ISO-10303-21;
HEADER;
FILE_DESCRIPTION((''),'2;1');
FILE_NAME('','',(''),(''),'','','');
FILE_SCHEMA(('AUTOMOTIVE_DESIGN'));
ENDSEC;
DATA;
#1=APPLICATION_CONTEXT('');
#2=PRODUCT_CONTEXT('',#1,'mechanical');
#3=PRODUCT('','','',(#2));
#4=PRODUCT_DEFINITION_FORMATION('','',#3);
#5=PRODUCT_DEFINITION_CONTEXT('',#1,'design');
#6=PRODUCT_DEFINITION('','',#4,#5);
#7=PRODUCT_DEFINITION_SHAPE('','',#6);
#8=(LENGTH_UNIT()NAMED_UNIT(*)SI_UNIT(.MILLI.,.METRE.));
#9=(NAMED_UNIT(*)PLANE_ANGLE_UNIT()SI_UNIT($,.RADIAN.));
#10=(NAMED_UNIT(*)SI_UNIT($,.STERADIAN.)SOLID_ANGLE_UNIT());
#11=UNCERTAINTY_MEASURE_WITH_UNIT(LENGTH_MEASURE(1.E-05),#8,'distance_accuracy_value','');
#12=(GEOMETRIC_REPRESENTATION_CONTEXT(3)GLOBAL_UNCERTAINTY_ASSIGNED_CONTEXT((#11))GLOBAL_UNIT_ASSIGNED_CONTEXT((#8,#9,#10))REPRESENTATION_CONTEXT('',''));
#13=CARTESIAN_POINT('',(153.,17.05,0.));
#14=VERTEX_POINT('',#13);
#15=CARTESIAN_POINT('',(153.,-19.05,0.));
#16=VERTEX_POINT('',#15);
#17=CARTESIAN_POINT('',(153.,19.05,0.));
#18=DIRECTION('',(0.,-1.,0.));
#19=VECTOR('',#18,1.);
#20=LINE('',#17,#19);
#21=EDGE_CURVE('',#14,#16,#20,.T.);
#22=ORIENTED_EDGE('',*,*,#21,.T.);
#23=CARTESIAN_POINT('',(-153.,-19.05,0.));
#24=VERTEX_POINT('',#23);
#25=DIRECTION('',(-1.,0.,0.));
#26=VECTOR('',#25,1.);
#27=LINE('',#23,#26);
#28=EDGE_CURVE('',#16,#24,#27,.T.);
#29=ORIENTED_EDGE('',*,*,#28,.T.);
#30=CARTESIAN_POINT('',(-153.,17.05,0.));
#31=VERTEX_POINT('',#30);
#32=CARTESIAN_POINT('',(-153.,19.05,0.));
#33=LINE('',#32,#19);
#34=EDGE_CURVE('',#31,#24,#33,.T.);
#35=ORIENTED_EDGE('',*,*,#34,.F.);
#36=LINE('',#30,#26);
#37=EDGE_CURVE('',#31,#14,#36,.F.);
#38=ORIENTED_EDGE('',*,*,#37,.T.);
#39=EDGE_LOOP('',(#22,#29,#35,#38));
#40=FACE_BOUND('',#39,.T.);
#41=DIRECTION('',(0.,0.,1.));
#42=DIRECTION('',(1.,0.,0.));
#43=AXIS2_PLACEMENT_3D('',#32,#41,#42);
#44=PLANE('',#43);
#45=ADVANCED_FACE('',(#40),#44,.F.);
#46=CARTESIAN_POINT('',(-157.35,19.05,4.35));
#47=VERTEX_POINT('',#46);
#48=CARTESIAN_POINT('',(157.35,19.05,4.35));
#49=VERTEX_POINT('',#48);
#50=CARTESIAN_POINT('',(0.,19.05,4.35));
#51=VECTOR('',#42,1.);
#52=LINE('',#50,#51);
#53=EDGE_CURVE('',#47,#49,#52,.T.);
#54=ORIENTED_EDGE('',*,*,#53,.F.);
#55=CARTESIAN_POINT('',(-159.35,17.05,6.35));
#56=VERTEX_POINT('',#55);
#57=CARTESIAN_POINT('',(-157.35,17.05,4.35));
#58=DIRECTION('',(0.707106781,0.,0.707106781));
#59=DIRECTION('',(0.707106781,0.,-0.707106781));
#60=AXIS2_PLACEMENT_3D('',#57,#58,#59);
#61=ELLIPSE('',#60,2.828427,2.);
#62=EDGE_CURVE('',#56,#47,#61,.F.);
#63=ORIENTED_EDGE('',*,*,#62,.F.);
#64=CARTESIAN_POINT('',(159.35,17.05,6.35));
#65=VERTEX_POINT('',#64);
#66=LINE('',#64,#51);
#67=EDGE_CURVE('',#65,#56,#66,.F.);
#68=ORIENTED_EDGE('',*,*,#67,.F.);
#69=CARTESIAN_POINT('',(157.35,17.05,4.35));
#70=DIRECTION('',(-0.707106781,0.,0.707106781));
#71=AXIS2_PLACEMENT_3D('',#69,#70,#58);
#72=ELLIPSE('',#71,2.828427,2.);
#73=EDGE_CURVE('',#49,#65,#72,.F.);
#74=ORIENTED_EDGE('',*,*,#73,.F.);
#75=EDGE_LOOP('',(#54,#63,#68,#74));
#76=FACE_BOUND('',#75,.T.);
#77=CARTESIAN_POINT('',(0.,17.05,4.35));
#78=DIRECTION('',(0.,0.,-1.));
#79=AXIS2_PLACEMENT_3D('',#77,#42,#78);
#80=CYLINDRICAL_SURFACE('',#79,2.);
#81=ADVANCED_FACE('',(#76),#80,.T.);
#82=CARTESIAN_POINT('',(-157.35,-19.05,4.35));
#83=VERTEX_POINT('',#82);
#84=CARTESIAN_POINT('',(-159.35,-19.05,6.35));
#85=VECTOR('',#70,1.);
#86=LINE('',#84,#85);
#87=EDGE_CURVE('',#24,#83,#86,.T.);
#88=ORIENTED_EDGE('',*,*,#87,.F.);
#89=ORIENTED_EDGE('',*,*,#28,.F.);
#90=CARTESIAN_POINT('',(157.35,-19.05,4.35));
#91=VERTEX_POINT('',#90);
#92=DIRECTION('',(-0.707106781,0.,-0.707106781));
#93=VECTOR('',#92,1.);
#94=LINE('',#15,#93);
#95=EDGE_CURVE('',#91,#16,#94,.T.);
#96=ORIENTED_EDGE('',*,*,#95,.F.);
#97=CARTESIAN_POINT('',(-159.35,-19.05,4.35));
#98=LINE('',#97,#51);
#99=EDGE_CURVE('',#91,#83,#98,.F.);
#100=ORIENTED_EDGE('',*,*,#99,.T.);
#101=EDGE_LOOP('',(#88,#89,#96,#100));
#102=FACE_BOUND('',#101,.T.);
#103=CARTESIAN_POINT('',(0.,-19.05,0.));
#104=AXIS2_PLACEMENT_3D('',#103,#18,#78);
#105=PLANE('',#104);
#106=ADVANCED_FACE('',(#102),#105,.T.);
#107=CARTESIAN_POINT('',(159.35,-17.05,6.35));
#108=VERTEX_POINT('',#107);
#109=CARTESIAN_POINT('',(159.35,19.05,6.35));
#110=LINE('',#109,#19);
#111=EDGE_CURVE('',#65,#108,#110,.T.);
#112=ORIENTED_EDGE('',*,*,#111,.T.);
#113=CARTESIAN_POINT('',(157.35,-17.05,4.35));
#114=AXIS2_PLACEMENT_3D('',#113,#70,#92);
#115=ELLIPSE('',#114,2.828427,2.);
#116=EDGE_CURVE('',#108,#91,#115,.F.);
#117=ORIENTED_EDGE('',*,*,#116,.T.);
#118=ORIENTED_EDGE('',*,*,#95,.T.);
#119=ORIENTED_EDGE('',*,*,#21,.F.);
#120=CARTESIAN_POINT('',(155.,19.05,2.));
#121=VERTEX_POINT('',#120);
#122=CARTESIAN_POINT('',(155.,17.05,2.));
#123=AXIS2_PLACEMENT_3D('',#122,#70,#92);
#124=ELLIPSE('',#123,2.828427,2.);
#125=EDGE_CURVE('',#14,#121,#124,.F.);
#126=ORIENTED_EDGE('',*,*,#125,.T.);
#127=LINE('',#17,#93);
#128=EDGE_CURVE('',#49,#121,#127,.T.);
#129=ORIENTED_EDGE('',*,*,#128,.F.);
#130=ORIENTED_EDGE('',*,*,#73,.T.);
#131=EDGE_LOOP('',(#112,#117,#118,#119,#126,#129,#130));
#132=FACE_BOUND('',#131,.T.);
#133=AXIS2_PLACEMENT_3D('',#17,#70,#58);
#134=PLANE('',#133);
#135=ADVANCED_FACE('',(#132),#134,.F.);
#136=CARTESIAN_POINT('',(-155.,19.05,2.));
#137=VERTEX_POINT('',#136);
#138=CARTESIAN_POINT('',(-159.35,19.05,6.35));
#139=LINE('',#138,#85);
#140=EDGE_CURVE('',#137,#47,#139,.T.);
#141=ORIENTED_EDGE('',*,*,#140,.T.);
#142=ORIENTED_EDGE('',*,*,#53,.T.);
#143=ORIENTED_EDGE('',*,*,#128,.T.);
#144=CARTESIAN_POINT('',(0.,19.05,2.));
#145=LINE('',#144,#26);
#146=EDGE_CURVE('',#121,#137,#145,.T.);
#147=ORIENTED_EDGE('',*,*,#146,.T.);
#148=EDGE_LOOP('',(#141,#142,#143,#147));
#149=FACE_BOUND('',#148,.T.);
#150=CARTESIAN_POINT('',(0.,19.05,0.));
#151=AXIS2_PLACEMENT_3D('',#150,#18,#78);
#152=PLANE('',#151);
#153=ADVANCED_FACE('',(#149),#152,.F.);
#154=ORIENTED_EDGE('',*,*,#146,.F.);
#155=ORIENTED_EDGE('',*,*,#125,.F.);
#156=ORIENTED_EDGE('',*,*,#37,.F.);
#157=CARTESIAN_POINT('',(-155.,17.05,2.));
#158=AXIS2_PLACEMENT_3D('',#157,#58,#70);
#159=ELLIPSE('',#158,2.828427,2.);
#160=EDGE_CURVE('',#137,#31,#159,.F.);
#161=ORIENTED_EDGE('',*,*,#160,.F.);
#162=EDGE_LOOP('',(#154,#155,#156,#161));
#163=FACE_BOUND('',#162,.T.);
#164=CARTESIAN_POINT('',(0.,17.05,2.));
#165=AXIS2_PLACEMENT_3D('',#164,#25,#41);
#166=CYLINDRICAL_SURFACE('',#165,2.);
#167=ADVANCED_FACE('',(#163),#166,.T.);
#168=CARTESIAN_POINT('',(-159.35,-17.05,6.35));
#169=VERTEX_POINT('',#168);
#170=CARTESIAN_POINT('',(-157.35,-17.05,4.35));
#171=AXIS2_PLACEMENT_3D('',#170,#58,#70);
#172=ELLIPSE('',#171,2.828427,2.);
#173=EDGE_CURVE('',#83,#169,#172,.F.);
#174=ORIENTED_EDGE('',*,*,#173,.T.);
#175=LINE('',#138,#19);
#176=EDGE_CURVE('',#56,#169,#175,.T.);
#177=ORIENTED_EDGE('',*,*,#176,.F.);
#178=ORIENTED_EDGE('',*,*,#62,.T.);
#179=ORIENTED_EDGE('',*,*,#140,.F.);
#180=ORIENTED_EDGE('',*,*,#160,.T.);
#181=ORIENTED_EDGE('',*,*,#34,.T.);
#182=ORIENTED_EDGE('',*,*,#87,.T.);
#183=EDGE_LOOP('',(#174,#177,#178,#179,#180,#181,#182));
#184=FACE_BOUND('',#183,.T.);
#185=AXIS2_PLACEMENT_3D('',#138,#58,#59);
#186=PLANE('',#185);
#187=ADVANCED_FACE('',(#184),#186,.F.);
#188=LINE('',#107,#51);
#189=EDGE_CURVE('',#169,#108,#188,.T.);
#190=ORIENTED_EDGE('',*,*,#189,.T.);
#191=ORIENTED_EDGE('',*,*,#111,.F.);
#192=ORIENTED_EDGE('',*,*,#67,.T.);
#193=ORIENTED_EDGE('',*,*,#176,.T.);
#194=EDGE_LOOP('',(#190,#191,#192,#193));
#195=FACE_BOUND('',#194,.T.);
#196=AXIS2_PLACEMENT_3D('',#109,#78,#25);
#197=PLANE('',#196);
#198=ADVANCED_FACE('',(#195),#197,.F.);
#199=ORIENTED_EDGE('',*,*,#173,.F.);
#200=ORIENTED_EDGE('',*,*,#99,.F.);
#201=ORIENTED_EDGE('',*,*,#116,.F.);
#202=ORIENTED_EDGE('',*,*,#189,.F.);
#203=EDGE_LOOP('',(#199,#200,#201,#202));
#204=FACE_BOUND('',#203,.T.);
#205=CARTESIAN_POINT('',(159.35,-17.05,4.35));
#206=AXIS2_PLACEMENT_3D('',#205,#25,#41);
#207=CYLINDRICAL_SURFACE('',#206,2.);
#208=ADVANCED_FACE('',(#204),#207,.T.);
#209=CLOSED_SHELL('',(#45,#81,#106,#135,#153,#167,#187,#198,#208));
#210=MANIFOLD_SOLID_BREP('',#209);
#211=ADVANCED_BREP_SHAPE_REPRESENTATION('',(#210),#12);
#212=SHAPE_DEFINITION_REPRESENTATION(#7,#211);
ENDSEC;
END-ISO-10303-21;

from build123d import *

# Parameters (mm, degrees)
BOSS_EXTRUDE1_DEPTH = 19.05
FILLET1_R           = 2


with BuildPart() as part:
    # Sketch1 → Boss-Extrude1 (new body, symmetric)
    with BuildSketch(Plane(origin=(0, 0, 0), x_dir=(1, 0, 0), z_dir=(0, 1, 0))):
        Polygon((-153, 0), (153, 0), (159.35, -6.35), (-159.35, -6.35), align=None)
    extrude(amount=BOSS_EXTRUDE1_DEPTH, both=True)

    # Fillet1
    fillet1_edges = [part.edges().sort_by_distance(p)[0] for p in [
        (0, 19.05, 0),
        (0, -19.05, 6.35),
        (0, 19.05, 6.35),
    ]]
    fillet(fillet1_edges, radius=FILLET1_R)


solid = part.part
